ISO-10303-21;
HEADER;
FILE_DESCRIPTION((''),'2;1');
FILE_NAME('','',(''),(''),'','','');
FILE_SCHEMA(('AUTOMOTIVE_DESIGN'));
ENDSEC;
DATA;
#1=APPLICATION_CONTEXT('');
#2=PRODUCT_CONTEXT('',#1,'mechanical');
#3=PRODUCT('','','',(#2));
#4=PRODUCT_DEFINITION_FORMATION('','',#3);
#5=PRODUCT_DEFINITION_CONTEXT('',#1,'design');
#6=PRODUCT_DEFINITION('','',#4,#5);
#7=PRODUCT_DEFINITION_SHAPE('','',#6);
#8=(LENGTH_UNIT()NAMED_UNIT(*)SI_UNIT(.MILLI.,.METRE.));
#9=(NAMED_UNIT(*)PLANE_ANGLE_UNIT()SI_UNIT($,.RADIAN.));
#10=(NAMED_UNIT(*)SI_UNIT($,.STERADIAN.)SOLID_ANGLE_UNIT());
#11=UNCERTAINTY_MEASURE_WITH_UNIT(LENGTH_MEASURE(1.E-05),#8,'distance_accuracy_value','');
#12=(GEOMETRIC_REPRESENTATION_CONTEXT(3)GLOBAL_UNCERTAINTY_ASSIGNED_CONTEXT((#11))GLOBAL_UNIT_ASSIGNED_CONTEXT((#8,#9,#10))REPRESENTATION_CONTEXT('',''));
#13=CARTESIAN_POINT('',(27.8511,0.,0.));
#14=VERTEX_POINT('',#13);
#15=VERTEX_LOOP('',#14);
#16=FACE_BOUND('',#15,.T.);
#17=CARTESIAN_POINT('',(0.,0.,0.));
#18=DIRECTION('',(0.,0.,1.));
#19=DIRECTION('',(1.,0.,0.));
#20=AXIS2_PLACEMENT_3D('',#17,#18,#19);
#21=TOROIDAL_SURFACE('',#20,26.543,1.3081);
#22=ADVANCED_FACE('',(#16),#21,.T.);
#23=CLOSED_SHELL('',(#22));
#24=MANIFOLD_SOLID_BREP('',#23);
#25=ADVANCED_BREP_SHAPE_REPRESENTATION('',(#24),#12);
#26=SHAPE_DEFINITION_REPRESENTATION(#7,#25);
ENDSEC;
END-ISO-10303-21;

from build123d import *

# Parameters (mm, degrees)
SKETCH1_R = 1.3081


with BuildPart() as part:
    # Sketch1 → Revolve1 (revolve)
    with BuildSketch(Plane(origin=(0, 0, 0), x_dir=(0, -1, 0), z_dir=(1, 0, 0)), mode=Mode.PRIVATE) as revolve1_sk:
        with Locations((26.543, 0)):
            Circle(SKETCH1_R)
    revolve(revolve1_sk.sketch.rotate(Axis((0, 0, 1.3081), (0, 0, -1)), 270), axis=Axis((0, 0, 1.3081), (0, 0, -1)))


solid = part.part
